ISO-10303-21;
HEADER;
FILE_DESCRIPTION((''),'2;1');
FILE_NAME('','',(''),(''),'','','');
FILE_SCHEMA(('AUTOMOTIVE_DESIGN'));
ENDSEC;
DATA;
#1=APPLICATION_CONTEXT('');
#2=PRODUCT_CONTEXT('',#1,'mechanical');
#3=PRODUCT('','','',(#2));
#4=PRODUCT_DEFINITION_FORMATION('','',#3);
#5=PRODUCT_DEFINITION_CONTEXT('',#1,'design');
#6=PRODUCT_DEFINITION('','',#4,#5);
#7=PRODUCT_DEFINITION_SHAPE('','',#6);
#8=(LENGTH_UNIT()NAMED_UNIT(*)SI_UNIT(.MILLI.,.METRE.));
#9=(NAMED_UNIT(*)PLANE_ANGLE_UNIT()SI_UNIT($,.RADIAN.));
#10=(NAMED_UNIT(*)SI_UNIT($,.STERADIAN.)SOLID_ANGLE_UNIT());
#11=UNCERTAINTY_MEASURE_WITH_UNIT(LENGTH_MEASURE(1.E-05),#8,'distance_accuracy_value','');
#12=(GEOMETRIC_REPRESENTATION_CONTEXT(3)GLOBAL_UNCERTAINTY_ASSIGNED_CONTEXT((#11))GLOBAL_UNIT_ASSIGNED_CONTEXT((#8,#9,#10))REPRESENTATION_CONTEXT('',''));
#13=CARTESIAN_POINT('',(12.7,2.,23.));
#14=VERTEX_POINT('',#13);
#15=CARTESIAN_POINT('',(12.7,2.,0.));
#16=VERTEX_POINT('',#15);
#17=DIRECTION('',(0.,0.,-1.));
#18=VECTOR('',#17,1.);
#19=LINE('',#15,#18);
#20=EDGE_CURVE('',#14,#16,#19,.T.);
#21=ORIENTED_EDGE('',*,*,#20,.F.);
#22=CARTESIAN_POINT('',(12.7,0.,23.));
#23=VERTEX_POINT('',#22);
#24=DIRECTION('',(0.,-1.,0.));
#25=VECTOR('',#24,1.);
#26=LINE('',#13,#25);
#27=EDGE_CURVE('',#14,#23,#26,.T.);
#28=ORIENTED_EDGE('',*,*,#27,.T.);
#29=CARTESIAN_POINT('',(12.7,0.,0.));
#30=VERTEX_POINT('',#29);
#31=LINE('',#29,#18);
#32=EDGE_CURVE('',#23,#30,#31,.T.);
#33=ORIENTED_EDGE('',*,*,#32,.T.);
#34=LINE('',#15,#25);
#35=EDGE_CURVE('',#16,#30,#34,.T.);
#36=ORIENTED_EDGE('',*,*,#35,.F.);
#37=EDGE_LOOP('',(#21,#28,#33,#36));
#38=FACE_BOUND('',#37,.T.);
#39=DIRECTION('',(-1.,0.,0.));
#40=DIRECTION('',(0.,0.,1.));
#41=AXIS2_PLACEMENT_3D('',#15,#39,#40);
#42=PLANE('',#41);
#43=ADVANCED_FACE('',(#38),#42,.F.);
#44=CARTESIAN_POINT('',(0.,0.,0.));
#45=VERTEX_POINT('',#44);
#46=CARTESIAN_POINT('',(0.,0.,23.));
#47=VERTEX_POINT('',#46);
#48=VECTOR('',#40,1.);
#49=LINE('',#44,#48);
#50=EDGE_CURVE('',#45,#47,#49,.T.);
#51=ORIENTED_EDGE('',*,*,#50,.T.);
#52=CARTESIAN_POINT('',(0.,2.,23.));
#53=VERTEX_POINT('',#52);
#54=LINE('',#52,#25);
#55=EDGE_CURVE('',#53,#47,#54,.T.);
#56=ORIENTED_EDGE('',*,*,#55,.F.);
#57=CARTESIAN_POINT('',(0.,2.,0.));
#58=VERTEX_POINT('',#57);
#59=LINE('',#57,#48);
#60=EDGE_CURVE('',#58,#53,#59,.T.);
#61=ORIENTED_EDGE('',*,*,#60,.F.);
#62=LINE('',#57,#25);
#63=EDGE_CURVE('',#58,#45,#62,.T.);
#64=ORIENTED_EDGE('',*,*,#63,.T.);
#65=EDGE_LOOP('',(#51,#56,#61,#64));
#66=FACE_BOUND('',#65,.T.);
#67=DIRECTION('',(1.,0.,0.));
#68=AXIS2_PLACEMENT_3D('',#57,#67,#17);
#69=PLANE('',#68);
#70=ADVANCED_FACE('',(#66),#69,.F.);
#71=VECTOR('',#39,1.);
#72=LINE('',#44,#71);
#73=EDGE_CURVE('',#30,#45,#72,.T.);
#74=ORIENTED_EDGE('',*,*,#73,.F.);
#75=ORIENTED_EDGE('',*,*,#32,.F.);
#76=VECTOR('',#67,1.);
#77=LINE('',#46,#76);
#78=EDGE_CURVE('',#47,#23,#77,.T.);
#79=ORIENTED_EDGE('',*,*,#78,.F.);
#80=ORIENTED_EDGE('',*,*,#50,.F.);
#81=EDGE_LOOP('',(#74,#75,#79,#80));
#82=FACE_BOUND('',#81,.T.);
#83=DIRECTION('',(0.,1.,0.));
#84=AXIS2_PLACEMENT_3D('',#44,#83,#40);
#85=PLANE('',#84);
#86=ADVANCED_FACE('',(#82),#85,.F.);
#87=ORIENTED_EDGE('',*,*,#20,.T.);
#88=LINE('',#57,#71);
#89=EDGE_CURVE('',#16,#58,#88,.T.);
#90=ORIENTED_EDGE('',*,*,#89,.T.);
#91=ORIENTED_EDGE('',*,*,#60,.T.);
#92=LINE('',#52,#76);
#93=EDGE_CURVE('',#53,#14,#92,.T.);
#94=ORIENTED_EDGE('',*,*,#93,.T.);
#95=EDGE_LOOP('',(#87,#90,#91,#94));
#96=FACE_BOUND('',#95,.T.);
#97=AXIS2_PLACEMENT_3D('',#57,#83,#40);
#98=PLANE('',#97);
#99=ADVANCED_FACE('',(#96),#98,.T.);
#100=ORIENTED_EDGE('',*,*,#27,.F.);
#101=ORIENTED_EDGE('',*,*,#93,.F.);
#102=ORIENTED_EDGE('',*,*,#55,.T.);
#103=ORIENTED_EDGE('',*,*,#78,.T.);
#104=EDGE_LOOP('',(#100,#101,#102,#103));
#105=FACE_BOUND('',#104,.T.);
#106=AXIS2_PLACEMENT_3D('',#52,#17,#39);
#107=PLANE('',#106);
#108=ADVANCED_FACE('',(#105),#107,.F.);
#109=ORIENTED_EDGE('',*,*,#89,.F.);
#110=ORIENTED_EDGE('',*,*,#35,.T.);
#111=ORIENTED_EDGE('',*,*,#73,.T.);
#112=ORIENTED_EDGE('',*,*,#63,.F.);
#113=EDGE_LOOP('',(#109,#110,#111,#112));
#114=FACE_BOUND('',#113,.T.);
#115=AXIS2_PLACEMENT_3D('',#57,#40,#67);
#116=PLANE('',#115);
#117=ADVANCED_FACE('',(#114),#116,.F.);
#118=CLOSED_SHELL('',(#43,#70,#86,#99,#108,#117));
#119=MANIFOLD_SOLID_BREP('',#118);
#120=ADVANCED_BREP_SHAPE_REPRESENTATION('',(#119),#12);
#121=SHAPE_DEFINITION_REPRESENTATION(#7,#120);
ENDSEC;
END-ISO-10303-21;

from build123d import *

# Parameters (mm, degrees)
SKETCH_1_W      = 12.7
SKETCH_1_H      = 23
EXTRUDE_1_DEPTH = 2


with BuildPart() as part:
    # 草图1 → 凸台-拉伸1 (new body)
    with BuildSketch(Plane(origin=(0, 0, 0), x_dir=(1, 0, 0), z_dir=(0, 1, 0))):
        with Locations((6.35, -11.5)):
            Rectangle(SKETCH_1_W, SKETCH_1_H)
    extrude(amount=EXTRUDE_1_DEPTH)


solid = part.part
